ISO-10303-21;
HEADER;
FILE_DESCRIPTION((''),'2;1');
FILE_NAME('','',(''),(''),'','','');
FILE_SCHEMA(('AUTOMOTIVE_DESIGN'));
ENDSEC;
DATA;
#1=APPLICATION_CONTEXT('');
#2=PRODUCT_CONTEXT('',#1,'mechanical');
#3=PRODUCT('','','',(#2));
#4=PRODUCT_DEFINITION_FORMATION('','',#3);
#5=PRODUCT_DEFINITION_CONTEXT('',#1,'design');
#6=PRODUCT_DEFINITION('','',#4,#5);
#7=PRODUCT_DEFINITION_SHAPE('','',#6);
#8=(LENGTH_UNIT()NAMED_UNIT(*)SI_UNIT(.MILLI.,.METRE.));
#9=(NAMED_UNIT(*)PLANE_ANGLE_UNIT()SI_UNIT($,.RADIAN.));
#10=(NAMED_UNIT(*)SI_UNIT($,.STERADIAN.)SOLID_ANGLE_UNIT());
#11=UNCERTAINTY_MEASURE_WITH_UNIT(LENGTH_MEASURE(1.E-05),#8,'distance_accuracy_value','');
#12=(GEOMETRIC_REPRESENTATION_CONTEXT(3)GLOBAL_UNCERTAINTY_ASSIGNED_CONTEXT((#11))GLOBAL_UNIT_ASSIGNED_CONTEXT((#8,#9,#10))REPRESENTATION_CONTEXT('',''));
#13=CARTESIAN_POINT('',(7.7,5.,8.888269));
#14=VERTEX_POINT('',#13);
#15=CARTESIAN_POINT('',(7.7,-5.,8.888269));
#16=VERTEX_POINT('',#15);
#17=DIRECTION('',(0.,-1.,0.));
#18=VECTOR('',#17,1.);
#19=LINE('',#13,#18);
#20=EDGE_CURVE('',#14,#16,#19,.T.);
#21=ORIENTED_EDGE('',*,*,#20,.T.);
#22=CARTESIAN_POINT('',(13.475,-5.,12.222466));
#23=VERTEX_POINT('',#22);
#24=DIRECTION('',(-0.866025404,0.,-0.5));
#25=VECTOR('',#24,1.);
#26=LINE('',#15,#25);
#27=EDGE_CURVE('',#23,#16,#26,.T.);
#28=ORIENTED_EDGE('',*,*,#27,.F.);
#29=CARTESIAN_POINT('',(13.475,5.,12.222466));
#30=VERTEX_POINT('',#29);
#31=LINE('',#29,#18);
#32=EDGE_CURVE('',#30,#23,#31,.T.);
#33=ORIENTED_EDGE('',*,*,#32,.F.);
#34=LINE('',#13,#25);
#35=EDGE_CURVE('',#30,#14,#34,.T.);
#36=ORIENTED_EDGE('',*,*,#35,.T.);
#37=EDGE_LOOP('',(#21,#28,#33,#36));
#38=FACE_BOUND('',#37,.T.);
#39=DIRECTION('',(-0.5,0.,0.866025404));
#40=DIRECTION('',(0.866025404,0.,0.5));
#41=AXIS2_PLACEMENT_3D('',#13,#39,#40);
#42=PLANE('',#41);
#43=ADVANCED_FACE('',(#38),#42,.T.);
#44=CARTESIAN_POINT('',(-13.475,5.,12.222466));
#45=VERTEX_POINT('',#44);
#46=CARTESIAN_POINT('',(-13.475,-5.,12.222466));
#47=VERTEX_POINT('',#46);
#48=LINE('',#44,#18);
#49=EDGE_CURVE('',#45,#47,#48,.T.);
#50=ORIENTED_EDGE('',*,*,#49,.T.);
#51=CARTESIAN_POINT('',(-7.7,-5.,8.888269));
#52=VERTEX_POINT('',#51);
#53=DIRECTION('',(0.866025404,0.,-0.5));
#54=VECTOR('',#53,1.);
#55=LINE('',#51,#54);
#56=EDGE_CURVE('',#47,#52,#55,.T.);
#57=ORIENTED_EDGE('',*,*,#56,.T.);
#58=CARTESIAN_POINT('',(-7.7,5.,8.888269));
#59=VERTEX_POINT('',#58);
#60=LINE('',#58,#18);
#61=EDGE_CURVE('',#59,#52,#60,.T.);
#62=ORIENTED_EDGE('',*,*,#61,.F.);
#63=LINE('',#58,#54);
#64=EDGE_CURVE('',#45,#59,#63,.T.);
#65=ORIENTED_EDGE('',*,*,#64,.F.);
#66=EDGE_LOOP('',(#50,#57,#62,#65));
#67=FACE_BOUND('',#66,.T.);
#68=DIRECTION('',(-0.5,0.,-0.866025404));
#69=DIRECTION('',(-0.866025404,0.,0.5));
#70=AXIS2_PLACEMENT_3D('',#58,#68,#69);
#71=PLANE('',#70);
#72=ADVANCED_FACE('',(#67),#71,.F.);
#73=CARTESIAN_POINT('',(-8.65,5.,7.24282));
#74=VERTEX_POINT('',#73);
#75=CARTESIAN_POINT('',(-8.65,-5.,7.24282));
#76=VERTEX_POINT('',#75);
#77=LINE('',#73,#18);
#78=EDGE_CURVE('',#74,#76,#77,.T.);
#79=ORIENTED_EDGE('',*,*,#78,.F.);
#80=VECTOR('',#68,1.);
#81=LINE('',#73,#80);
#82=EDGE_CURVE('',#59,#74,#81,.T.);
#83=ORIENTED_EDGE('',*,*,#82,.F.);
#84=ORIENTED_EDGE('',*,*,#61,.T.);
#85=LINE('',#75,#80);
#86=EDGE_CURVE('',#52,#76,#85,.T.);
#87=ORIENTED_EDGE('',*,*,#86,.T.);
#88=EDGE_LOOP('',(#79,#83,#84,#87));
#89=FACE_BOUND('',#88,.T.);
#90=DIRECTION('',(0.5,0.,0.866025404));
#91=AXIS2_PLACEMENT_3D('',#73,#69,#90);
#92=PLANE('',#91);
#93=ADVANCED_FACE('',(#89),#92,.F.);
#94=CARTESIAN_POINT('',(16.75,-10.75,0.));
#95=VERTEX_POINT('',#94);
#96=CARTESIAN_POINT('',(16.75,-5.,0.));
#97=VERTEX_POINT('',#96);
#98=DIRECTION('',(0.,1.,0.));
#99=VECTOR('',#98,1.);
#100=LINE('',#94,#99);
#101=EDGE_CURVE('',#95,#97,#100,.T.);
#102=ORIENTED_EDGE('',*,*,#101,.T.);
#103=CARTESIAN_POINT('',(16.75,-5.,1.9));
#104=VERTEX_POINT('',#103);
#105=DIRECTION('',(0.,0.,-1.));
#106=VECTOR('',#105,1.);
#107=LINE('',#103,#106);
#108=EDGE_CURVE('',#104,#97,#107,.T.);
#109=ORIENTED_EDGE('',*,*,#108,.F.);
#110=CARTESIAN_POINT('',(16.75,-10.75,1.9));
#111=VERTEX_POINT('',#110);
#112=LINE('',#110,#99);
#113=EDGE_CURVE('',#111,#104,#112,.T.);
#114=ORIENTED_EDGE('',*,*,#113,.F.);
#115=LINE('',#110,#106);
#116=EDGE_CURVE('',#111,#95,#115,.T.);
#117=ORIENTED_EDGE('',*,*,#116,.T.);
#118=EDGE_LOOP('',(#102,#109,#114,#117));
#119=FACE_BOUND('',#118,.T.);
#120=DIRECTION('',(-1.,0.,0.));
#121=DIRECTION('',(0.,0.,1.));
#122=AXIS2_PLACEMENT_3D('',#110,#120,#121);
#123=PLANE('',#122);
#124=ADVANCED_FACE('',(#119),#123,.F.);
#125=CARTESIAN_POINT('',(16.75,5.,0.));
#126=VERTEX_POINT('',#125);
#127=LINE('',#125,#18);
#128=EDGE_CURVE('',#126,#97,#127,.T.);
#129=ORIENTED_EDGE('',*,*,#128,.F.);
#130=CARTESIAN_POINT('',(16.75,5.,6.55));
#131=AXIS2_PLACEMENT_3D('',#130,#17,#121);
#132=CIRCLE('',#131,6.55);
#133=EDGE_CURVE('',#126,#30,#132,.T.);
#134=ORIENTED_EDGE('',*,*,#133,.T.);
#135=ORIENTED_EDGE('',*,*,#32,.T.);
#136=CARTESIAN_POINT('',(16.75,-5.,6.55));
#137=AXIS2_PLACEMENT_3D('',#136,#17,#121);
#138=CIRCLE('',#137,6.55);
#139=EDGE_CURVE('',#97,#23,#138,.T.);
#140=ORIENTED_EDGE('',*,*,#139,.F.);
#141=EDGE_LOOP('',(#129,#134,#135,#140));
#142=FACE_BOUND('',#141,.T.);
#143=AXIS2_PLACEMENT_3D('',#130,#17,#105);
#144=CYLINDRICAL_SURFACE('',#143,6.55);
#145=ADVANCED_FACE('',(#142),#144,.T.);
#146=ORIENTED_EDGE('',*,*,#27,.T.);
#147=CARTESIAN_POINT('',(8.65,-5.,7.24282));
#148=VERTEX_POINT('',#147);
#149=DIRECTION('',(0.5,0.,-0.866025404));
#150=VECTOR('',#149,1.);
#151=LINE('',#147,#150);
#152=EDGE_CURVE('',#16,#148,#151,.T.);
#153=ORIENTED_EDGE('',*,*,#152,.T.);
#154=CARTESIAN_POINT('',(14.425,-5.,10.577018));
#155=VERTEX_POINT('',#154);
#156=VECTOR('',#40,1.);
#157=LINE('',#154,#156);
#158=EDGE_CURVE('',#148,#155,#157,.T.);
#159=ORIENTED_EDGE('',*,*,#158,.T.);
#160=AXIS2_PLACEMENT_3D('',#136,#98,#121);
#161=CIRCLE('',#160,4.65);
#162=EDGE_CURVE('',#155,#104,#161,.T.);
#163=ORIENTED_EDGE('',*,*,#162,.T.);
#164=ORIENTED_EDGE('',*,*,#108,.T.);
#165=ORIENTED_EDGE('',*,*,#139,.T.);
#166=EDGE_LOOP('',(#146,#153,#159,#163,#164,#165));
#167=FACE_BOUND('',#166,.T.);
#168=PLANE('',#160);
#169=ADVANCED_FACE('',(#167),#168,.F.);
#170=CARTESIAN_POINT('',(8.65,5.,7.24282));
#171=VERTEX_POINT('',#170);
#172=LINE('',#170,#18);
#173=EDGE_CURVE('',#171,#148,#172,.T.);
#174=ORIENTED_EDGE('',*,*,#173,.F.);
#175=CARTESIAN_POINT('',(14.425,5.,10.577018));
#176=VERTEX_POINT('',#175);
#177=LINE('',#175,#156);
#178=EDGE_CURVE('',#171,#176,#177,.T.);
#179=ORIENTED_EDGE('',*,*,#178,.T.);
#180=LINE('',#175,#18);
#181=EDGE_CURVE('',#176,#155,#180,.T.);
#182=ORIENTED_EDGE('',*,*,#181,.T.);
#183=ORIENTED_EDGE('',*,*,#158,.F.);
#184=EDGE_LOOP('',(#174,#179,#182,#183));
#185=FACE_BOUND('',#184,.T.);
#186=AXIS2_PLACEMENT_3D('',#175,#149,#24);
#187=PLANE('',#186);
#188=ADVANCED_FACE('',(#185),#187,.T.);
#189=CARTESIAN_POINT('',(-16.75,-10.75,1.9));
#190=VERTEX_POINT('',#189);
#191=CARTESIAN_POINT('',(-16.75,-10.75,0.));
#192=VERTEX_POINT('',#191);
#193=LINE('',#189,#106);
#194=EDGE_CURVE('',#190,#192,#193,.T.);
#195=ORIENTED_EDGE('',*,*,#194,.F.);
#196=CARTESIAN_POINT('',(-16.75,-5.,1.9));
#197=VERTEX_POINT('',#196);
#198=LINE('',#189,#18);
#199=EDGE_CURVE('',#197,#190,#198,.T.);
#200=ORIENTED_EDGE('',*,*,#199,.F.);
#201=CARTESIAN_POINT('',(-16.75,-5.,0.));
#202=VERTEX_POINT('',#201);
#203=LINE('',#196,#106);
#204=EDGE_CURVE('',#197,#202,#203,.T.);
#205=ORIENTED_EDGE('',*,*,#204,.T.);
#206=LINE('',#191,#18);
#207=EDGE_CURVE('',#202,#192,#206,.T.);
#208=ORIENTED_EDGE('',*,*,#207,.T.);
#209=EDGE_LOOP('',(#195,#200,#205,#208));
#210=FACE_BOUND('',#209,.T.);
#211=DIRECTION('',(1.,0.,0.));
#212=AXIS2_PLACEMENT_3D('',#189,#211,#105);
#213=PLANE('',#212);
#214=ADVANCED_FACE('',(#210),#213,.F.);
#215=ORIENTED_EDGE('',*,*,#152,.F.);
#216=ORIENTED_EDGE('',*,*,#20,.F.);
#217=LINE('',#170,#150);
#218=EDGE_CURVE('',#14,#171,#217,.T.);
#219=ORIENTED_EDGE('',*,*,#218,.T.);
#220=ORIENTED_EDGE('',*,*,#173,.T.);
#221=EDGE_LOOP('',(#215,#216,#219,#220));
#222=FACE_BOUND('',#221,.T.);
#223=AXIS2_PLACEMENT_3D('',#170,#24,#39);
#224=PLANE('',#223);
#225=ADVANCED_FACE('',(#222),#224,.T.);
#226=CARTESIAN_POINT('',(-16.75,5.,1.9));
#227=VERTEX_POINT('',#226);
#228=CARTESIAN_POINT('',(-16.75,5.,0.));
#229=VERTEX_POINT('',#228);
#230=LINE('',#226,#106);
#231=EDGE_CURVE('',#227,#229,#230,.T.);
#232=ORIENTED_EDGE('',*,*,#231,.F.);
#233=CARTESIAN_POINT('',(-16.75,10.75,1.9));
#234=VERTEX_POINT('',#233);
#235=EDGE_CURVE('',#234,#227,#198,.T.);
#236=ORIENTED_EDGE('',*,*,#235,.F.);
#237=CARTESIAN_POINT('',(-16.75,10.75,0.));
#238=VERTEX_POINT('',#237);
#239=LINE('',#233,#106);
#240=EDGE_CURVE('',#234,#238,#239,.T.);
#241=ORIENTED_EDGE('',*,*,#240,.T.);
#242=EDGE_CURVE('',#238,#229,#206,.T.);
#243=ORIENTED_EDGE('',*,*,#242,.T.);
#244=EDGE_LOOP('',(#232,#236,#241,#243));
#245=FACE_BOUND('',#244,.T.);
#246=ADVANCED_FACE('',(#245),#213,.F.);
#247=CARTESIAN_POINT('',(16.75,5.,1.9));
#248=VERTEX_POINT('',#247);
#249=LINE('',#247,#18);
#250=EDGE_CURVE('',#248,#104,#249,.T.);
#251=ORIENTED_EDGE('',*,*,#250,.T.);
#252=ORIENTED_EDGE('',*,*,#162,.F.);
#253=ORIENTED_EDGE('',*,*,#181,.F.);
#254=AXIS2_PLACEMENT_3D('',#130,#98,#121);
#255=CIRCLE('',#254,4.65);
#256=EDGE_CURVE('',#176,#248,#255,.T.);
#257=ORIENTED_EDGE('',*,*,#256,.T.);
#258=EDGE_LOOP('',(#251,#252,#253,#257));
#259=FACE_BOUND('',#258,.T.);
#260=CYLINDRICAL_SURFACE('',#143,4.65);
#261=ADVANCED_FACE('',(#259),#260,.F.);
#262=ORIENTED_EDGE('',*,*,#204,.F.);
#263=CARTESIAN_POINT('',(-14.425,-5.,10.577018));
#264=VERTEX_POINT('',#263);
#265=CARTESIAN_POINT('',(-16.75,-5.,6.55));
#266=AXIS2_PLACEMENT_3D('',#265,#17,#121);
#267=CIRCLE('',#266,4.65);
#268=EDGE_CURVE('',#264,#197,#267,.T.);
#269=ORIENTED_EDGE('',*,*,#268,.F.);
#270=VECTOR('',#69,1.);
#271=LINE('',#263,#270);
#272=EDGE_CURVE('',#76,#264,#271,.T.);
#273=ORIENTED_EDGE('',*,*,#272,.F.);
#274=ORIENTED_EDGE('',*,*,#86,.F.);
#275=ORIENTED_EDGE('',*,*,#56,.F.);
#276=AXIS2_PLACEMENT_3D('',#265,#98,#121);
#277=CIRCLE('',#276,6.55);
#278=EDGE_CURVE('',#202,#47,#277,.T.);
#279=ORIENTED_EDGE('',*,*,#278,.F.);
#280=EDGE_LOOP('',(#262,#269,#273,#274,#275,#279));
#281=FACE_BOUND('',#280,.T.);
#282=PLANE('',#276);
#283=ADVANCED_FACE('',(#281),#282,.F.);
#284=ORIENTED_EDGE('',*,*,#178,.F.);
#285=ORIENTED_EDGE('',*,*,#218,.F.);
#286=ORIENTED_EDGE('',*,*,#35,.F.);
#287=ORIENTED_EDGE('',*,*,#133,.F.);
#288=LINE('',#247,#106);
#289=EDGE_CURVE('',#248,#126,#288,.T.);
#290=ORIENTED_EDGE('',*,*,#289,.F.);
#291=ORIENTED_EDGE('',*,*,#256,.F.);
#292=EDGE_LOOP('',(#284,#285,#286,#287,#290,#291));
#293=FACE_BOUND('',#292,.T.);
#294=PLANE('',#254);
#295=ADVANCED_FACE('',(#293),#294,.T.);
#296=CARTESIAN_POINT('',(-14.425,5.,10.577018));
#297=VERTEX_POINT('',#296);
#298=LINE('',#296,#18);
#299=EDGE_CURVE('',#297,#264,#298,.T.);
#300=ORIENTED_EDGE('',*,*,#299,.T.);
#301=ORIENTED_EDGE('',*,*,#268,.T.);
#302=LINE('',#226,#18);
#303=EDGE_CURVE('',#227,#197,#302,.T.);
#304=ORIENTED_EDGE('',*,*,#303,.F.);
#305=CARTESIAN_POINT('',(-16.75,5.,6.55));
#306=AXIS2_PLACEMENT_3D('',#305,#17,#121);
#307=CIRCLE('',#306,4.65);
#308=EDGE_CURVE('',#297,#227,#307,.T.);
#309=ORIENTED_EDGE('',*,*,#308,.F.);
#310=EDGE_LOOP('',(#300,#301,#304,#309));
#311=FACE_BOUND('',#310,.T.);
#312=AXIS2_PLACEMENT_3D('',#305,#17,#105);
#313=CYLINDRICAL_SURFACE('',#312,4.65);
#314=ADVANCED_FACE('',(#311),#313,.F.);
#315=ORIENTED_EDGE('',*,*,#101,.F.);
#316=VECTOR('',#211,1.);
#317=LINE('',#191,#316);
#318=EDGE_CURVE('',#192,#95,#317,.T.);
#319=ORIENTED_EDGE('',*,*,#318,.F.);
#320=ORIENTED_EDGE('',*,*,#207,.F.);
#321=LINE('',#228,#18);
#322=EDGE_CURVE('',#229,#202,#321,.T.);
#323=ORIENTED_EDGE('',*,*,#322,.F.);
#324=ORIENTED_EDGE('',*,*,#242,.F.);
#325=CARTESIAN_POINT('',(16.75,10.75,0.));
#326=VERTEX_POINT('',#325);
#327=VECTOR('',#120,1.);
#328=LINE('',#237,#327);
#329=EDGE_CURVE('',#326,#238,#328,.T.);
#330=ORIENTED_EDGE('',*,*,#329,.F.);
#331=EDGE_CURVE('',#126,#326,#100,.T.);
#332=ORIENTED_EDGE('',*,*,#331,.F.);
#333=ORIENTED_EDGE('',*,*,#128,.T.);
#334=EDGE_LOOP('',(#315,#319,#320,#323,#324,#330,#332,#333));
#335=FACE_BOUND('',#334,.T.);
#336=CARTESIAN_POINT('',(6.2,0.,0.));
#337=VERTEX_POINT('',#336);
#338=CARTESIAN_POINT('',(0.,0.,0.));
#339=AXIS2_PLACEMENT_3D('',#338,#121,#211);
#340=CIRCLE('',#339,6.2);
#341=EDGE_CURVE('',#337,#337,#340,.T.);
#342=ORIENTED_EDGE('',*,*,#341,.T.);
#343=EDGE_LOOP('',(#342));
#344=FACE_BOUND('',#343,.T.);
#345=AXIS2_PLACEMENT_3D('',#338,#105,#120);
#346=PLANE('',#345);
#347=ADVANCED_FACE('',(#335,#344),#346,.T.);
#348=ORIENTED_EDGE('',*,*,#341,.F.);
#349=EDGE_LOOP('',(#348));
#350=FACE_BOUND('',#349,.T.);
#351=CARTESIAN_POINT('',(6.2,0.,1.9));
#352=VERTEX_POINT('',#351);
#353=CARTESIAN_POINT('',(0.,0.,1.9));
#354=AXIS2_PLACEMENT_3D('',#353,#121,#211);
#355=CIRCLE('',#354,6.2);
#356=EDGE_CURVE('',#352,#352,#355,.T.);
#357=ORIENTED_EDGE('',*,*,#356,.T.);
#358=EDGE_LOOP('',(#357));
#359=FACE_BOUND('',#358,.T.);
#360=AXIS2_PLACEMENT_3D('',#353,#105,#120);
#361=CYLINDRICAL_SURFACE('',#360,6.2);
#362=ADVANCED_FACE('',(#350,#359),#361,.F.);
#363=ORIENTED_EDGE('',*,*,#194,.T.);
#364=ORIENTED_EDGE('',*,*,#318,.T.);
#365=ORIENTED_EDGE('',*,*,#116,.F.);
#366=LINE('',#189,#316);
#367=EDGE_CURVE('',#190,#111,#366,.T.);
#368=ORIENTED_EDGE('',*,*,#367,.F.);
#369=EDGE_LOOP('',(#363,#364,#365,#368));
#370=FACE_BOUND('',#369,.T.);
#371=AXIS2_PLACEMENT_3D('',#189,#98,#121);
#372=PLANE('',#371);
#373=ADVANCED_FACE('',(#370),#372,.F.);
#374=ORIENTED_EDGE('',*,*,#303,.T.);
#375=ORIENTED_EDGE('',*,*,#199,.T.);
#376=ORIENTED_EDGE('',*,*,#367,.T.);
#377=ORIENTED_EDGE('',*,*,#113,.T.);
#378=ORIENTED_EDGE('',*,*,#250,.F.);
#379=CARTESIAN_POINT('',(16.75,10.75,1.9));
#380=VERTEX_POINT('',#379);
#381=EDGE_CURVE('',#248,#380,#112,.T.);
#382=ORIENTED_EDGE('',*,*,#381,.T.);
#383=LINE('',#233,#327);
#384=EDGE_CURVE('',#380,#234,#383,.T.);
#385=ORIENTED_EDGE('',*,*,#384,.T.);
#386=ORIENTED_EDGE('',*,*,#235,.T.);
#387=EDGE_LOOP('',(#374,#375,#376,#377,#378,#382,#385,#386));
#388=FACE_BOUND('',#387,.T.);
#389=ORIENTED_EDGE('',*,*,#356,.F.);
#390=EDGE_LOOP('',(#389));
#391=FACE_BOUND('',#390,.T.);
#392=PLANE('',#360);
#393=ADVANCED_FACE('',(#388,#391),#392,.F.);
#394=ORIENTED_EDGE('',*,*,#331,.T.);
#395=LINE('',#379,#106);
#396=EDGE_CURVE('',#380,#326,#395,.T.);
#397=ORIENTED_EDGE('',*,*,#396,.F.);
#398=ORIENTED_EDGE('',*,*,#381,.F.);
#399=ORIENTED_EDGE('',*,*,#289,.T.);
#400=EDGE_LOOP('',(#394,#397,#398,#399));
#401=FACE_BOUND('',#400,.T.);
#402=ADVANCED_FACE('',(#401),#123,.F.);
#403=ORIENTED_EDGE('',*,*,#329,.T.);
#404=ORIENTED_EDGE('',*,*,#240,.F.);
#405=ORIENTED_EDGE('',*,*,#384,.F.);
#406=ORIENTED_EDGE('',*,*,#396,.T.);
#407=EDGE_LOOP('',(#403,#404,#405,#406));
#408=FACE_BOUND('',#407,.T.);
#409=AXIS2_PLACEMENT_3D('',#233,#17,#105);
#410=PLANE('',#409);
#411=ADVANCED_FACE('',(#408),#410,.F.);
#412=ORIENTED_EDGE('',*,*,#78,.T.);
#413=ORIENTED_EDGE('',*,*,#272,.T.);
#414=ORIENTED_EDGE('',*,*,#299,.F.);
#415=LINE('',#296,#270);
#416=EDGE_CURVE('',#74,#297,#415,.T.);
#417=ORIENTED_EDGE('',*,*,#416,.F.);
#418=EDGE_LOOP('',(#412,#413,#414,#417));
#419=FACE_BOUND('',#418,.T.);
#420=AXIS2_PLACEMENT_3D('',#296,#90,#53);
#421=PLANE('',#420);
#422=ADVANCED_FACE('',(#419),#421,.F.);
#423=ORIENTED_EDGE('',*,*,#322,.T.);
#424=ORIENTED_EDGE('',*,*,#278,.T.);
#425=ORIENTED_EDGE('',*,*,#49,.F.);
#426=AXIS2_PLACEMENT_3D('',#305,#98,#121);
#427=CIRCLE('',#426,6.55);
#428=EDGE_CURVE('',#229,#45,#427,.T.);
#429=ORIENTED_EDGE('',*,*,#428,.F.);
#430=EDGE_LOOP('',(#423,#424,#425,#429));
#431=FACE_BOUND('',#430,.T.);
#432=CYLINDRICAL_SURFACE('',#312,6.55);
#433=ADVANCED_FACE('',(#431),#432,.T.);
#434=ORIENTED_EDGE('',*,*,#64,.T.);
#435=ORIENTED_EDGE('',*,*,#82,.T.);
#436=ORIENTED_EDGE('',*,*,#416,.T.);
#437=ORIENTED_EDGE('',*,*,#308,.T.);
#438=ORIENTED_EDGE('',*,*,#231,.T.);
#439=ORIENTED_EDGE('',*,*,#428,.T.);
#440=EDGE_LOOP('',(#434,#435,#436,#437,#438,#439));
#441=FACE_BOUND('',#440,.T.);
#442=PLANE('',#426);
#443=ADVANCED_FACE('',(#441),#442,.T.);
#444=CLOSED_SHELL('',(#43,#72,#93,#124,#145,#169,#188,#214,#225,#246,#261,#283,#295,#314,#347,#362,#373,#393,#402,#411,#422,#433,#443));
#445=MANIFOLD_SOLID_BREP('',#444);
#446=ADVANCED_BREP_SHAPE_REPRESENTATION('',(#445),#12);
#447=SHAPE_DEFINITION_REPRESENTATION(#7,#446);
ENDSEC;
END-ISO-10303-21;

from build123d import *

# Parameters (mm, degrees)
SKETCH_1_W      = 33.5
SKETCH_1_H      = 21.5
SKETCH_1_R      = 6.2
EXTRUDE_1_DEPTH = 1.9
EXTRUDE_2_DEPTH = 5


with BuildPart() as part:
    # Эскиз1 → Бобышка-Вытянуть1 (new body)
    with BuildSketch(Plane.XY):
        Rectangle(SKETCH_1_W, SKETCH_1_H)
        Circle(SKETCH_1_R, mode=Mode.SUBTRACT)
    extrude(amount=EXTRUDE_1_DEPTH)

    # Эскиз3 → Бобышка-Вытянуть2 (add, symmetric)
    with BuildSketch(Plane(origin=(0, 0, 0), x_dir=(1, 0, 0), z_dir=(0, 1, 0))):
        with BuildLine():
            Line((-14.425, -10.577018128), (-8.65, -7.242820323))
            Line((-8.65, -7.242820323), (-7.7, -8.88826859))
            Line((-7.7, -8.88826859), (-13.475, -12.222466395))
            ThreePointArc((-13.475, -12.222466395), (-23.076814162, -8.245264745), (-16.75, 0))
            Line((-16.75, 0), (-16.75, -1.9))
            ThreePointArc((-16.75, -1.9), (-21.241555092, -7.75350856), (-14.425, -10.577018128))
        make_face()
    extrude_2 = extrude(amount=EXTRUDE_2_DEPTH, both=True)

    # Зеркальное отражение1: Бобышка-Вытянуть2 across plane
    add(extrude_2.mirror(Plane(origin=(0, 0, 0), x_dir=(0, 0, 1), z_dir=(1, 0, 0))))


solid = part.part
